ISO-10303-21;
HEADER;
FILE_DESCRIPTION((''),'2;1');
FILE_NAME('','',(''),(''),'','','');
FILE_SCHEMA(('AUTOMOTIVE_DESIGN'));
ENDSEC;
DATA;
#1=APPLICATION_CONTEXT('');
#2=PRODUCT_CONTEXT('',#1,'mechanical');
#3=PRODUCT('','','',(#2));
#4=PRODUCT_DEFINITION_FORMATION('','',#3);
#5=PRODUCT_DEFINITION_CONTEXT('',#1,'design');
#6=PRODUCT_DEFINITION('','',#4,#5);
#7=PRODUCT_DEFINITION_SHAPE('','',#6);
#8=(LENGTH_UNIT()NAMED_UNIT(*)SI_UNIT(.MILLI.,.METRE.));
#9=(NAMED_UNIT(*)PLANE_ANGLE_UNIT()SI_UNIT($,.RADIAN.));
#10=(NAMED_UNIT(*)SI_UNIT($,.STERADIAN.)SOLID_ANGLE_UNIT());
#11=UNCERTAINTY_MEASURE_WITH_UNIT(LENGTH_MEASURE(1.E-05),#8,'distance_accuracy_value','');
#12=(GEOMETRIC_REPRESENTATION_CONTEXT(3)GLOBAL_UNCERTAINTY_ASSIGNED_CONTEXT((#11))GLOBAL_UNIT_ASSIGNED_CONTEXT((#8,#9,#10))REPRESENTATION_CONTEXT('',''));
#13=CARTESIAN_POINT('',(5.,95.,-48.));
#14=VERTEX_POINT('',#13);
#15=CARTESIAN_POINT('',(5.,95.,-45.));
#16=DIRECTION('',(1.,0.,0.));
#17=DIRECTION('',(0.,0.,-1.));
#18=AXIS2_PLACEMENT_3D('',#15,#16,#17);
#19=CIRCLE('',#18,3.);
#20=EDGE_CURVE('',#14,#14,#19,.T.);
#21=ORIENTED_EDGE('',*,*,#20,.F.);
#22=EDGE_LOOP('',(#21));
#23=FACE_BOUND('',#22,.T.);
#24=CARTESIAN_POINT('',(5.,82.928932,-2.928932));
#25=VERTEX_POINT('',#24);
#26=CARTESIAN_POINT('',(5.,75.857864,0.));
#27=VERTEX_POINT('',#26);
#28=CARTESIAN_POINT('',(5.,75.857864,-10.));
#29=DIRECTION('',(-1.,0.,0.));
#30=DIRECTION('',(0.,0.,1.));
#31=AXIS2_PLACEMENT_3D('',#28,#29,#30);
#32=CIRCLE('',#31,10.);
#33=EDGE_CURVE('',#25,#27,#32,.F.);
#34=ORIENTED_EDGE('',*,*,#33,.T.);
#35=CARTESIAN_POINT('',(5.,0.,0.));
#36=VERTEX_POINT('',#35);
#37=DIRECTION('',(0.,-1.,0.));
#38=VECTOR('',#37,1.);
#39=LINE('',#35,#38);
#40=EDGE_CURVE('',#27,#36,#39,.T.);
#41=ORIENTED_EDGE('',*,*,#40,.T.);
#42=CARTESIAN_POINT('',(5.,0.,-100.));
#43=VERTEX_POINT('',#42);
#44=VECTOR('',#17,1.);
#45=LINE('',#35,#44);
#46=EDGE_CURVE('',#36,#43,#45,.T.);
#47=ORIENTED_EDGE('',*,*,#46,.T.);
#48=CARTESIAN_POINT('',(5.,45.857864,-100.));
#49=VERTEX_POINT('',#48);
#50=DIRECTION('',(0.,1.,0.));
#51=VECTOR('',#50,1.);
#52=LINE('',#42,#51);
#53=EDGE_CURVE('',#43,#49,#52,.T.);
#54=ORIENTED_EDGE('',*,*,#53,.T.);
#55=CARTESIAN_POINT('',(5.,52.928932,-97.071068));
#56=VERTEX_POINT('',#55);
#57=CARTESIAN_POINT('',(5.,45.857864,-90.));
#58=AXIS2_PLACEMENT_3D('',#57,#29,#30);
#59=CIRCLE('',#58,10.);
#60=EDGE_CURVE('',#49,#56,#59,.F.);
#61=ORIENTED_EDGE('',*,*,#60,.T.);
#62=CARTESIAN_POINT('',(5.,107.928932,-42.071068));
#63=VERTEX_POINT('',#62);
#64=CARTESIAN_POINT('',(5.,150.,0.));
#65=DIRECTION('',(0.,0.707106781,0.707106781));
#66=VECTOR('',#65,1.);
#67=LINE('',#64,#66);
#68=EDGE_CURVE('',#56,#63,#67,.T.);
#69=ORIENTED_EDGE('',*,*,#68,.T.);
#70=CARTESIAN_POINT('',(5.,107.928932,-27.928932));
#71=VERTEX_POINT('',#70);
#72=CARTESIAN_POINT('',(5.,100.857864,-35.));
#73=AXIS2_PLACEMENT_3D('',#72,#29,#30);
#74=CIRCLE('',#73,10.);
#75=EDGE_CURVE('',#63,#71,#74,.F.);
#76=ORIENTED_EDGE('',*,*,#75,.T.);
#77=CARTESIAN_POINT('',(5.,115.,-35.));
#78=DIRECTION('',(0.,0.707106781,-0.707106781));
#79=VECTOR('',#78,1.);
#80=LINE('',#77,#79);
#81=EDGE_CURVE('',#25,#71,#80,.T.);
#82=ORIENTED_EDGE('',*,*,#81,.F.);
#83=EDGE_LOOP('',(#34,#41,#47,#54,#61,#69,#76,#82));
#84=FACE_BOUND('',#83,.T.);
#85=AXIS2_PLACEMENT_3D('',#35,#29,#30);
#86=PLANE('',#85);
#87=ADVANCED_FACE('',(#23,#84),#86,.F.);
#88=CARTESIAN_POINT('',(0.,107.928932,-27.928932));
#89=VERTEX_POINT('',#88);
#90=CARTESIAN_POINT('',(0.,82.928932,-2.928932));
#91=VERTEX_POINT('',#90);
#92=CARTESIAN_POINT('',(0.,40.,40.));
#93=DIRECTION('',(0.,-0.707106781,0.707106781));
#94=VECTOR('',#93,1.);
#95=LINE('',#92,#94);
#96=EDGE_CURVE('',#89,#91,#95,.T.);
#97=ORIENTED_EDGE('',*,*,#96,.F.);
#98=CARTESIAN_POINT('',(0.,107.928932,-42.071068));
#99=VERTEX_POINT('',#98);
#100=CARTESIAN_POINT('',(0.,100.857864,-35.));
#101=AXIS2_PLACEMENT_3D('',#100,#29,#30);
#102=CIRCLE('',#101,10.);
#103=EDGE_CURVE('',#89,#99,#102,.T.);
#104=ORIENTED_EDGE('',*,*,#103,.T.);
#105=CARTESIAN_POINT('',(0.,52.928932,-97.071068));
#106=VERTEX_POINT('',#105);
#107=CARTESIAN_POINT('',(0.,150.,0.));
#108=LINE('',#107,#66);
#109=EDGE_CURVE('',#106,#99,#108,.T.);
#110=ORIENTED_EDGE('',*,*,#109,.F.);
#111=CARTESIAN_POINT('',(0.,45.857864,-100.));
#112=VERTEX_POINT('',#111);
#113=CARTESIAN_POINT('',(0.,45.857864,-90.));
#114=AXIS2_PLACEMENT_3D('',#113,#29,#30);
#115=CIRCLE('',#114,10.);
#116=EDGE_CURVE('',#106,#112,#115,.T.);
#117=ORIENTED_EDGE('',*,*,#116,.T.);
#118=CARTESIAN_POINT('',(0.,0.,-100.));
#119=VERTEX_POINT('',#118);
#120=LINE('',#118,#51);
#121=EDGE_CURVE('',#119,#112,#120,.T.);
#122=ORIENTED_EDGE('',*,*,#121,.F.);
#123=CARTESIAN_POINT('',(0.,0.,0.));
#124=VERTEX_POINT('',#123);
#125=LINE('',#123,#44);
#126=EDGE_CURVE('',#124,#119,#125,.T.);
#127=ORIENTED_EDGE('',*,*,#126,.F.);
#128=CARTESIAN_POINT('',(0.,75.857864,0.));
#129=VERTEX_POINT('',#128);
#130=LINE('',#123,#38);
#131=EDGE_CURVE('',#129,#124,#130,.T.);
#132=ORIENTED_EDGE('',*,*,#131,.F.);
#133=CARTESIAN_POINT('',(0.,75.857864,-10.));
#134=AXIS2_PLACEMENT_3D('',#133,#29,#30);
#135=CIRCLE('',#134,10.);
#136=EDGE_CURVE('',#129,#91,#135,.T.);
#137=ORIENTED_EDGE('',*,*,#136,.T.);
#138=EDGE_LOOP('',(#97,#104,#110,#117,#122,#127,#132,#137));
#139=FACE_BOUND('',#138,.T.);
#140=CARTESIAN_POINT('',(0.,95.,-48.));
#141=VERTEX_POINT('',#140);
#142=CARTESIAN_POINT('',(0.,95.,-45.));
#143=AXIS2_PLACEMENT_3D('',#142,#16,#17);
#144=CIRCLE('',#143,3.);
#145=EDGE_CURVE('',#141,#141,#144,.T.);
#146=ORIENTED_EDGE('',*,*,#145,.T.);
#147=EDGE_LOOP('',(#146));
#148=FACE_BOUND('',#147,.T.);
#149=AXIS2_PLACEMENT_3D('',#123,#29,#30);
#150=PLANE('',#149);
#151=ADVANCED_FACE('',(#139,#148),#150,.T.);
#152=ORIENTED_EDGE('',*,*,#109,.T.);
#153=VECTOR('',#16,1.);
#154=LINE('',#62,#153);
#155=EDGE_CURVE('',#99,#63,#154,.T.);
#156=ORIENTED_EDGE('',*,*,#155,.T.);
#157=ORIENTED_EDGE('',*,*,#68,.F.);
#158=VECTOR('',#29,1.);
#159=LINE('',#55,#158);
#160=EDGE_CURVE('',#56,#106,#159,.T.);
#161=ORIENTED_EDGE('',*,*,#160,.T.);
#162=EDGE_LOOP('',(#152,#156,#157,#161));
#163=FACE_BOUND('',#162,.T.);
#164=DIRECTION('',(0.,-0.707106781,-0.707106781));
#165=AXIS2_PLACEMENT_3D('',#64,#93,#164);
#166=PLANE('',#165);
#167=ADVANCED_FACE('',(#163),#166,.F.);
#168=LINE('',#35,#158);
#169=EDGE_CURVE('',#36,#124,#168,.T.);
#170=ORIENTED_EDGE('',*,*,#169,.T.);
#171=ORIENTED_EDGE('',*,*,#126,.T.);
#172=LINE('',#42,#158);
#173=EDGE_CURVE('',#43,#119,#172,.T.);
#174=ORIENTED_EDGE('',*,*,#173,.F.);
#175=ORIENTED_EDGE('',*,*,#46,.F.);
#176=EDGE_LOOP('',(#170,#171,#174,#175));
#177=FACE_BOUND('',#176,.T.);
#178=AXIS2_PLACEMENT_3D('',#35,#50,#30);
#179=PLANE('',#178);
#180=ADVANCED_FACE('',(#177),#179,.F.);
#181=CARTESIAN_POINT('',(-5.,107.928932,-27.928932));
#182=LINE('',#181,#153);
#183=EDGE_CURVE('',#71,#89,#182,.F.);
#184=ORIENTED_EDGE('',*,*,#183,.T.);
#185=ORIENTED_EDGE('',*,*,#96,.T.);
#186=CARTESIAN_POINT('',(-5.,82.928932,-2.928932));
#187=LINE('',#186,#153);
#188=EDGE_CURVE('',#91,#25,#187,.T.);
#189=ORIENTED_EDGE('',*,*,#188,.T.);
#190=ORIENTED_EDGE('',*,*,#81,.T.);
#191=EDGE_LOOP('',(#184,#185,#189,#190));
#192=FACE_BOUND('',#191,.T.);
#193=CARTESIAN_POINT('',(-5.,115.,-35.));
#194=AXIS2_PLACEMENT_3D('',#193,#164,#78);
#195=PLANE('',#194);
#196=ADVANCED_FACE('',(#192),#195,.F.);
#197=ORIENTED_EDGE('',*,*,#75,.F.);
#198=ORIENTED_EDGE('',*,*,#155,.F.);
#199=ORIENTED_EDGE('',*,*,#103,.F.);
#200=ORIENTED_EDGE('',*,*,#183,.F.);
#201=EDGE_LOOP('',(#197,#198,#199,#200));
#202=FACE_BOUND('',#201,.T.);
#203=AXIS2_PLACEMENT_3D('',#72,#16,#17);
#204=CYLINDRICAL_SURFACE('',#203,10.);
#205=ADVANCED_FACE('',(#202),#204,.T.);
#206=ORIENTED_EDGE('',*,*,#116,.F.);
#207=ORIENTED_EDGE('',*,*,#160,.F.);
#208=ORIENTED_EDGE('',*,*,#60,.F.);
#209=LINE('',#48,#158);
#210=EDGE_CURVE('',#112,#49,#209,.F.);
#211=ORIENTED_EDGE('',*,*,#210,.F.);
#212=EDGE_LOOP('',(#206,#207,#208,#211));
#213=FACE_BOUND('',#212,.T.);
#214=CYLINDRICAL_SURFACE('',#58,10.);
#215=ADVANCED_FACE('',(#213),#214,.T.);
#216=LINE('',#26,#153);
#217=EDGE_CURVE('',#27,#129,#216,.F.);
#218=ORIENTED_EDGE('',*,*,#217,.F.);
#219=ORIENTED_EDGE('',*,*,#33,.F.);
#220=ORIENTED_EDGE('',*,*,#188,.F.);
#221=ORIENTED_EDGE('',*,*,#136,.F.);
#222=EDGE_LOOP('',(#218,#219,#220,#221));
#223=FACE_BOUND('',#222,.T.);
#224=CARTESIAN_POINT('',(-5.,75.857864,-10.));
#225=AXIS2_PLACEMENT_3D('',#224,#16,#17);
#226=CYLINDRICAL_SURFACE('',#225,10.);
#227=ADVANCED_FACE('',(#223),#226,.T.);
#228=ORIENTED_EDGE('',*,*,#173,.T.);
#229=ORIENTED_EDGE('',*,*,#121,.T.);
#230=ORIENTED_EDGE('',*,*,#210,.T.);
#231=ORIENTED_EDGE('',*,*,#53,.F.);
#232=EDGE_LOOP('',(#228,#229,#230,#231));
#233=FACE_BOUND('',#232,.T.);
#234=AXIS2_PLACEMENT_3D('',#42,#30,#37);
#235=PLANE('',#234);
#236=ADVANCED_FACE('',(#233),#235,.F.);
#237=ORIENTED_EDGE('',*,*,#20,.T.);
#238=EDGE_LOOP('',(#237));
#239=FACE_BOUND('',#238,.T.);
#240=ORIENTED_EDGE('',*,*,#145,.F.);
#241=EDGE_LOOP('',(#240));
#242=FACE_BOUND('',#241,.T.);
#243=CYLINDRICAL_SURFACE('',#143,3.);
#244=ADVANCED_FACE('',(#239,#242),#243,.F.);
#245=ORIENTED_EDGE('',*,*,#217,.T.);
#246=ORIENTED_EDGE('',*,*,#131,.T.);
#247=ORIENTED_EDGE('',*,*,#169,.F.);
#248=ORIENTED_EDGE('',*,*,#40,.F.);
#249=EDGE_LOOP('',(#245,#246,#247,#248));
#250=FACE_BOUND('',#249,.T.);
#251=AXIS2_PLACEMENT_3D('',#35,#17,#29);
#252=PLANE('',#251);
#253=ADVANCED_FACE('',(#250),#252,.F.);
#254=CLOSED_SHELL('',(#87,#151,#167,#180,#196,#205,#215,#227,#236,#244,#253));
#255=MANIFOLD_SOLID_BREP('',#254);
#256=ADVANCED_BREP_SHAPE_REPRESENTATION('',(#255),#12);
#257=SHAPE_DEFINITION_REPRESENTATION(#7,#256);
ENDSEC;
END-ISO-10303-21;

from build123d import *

# Parameters (mm, degrees)
EXTRUDE_1_DEPTH     = 5
SKETCH_2_R          = 3
CUT_EXTRUDE_1_DEPTH = 5
CUT_EXTRUDE_2_DEPTH = 10
FILLET_2_R          = 10


with BuildPart() as part:
    # 스케치1 → 보스-돌출1 (new body)
    with BuildSketch(Plane(origin=(0, 0, 0), x_dir=(0, 0, -1), z_dir=(1, 0, 0))):
        Polygon((0, 150), (100, 50), (100, 0), (0, 0), align=None)
    extrude(amount=EXTRUDE_1_DEPTH)

    # 스케치2 → 컷-돌출1 (cut)
    with BuildSketch(Plane(origin=(5, 0, 0), x_dir=(0, 0, -1), z_dir=(1, 0, 0))):
        with Locations((45, 95)):
            Circle(SKETCH_2_R)
    extrude(amount=-CUT_EXTRUDE_1_DEPTH, mode=Mode.SUBTRACT)

    # 스케치3 → 컷-돌출2 (cut)
    with BuildSketch(Plane(origin=(5, 0, 0), x_dir=(0, 0, -1), z_dir=(1, 0, 0))):
        Polygon((35, 115), (0, 80), (0, 150), align=None)
    extrude(amount=-CUT_EXTRUDE_2_DEPTH, mode=Mode.SUBTRACT)

    # 필렛2
    fillet_2_edges = [part.edges().sort_by_distance(p)[0] for p in [
        (2.5, 115, -35),
        (2.5, 80, 0),
        (2.5, 50, -100),
    ]]
    fillet(fillet_2_edges, radius=FILLET_2_R)


solid = part.part
